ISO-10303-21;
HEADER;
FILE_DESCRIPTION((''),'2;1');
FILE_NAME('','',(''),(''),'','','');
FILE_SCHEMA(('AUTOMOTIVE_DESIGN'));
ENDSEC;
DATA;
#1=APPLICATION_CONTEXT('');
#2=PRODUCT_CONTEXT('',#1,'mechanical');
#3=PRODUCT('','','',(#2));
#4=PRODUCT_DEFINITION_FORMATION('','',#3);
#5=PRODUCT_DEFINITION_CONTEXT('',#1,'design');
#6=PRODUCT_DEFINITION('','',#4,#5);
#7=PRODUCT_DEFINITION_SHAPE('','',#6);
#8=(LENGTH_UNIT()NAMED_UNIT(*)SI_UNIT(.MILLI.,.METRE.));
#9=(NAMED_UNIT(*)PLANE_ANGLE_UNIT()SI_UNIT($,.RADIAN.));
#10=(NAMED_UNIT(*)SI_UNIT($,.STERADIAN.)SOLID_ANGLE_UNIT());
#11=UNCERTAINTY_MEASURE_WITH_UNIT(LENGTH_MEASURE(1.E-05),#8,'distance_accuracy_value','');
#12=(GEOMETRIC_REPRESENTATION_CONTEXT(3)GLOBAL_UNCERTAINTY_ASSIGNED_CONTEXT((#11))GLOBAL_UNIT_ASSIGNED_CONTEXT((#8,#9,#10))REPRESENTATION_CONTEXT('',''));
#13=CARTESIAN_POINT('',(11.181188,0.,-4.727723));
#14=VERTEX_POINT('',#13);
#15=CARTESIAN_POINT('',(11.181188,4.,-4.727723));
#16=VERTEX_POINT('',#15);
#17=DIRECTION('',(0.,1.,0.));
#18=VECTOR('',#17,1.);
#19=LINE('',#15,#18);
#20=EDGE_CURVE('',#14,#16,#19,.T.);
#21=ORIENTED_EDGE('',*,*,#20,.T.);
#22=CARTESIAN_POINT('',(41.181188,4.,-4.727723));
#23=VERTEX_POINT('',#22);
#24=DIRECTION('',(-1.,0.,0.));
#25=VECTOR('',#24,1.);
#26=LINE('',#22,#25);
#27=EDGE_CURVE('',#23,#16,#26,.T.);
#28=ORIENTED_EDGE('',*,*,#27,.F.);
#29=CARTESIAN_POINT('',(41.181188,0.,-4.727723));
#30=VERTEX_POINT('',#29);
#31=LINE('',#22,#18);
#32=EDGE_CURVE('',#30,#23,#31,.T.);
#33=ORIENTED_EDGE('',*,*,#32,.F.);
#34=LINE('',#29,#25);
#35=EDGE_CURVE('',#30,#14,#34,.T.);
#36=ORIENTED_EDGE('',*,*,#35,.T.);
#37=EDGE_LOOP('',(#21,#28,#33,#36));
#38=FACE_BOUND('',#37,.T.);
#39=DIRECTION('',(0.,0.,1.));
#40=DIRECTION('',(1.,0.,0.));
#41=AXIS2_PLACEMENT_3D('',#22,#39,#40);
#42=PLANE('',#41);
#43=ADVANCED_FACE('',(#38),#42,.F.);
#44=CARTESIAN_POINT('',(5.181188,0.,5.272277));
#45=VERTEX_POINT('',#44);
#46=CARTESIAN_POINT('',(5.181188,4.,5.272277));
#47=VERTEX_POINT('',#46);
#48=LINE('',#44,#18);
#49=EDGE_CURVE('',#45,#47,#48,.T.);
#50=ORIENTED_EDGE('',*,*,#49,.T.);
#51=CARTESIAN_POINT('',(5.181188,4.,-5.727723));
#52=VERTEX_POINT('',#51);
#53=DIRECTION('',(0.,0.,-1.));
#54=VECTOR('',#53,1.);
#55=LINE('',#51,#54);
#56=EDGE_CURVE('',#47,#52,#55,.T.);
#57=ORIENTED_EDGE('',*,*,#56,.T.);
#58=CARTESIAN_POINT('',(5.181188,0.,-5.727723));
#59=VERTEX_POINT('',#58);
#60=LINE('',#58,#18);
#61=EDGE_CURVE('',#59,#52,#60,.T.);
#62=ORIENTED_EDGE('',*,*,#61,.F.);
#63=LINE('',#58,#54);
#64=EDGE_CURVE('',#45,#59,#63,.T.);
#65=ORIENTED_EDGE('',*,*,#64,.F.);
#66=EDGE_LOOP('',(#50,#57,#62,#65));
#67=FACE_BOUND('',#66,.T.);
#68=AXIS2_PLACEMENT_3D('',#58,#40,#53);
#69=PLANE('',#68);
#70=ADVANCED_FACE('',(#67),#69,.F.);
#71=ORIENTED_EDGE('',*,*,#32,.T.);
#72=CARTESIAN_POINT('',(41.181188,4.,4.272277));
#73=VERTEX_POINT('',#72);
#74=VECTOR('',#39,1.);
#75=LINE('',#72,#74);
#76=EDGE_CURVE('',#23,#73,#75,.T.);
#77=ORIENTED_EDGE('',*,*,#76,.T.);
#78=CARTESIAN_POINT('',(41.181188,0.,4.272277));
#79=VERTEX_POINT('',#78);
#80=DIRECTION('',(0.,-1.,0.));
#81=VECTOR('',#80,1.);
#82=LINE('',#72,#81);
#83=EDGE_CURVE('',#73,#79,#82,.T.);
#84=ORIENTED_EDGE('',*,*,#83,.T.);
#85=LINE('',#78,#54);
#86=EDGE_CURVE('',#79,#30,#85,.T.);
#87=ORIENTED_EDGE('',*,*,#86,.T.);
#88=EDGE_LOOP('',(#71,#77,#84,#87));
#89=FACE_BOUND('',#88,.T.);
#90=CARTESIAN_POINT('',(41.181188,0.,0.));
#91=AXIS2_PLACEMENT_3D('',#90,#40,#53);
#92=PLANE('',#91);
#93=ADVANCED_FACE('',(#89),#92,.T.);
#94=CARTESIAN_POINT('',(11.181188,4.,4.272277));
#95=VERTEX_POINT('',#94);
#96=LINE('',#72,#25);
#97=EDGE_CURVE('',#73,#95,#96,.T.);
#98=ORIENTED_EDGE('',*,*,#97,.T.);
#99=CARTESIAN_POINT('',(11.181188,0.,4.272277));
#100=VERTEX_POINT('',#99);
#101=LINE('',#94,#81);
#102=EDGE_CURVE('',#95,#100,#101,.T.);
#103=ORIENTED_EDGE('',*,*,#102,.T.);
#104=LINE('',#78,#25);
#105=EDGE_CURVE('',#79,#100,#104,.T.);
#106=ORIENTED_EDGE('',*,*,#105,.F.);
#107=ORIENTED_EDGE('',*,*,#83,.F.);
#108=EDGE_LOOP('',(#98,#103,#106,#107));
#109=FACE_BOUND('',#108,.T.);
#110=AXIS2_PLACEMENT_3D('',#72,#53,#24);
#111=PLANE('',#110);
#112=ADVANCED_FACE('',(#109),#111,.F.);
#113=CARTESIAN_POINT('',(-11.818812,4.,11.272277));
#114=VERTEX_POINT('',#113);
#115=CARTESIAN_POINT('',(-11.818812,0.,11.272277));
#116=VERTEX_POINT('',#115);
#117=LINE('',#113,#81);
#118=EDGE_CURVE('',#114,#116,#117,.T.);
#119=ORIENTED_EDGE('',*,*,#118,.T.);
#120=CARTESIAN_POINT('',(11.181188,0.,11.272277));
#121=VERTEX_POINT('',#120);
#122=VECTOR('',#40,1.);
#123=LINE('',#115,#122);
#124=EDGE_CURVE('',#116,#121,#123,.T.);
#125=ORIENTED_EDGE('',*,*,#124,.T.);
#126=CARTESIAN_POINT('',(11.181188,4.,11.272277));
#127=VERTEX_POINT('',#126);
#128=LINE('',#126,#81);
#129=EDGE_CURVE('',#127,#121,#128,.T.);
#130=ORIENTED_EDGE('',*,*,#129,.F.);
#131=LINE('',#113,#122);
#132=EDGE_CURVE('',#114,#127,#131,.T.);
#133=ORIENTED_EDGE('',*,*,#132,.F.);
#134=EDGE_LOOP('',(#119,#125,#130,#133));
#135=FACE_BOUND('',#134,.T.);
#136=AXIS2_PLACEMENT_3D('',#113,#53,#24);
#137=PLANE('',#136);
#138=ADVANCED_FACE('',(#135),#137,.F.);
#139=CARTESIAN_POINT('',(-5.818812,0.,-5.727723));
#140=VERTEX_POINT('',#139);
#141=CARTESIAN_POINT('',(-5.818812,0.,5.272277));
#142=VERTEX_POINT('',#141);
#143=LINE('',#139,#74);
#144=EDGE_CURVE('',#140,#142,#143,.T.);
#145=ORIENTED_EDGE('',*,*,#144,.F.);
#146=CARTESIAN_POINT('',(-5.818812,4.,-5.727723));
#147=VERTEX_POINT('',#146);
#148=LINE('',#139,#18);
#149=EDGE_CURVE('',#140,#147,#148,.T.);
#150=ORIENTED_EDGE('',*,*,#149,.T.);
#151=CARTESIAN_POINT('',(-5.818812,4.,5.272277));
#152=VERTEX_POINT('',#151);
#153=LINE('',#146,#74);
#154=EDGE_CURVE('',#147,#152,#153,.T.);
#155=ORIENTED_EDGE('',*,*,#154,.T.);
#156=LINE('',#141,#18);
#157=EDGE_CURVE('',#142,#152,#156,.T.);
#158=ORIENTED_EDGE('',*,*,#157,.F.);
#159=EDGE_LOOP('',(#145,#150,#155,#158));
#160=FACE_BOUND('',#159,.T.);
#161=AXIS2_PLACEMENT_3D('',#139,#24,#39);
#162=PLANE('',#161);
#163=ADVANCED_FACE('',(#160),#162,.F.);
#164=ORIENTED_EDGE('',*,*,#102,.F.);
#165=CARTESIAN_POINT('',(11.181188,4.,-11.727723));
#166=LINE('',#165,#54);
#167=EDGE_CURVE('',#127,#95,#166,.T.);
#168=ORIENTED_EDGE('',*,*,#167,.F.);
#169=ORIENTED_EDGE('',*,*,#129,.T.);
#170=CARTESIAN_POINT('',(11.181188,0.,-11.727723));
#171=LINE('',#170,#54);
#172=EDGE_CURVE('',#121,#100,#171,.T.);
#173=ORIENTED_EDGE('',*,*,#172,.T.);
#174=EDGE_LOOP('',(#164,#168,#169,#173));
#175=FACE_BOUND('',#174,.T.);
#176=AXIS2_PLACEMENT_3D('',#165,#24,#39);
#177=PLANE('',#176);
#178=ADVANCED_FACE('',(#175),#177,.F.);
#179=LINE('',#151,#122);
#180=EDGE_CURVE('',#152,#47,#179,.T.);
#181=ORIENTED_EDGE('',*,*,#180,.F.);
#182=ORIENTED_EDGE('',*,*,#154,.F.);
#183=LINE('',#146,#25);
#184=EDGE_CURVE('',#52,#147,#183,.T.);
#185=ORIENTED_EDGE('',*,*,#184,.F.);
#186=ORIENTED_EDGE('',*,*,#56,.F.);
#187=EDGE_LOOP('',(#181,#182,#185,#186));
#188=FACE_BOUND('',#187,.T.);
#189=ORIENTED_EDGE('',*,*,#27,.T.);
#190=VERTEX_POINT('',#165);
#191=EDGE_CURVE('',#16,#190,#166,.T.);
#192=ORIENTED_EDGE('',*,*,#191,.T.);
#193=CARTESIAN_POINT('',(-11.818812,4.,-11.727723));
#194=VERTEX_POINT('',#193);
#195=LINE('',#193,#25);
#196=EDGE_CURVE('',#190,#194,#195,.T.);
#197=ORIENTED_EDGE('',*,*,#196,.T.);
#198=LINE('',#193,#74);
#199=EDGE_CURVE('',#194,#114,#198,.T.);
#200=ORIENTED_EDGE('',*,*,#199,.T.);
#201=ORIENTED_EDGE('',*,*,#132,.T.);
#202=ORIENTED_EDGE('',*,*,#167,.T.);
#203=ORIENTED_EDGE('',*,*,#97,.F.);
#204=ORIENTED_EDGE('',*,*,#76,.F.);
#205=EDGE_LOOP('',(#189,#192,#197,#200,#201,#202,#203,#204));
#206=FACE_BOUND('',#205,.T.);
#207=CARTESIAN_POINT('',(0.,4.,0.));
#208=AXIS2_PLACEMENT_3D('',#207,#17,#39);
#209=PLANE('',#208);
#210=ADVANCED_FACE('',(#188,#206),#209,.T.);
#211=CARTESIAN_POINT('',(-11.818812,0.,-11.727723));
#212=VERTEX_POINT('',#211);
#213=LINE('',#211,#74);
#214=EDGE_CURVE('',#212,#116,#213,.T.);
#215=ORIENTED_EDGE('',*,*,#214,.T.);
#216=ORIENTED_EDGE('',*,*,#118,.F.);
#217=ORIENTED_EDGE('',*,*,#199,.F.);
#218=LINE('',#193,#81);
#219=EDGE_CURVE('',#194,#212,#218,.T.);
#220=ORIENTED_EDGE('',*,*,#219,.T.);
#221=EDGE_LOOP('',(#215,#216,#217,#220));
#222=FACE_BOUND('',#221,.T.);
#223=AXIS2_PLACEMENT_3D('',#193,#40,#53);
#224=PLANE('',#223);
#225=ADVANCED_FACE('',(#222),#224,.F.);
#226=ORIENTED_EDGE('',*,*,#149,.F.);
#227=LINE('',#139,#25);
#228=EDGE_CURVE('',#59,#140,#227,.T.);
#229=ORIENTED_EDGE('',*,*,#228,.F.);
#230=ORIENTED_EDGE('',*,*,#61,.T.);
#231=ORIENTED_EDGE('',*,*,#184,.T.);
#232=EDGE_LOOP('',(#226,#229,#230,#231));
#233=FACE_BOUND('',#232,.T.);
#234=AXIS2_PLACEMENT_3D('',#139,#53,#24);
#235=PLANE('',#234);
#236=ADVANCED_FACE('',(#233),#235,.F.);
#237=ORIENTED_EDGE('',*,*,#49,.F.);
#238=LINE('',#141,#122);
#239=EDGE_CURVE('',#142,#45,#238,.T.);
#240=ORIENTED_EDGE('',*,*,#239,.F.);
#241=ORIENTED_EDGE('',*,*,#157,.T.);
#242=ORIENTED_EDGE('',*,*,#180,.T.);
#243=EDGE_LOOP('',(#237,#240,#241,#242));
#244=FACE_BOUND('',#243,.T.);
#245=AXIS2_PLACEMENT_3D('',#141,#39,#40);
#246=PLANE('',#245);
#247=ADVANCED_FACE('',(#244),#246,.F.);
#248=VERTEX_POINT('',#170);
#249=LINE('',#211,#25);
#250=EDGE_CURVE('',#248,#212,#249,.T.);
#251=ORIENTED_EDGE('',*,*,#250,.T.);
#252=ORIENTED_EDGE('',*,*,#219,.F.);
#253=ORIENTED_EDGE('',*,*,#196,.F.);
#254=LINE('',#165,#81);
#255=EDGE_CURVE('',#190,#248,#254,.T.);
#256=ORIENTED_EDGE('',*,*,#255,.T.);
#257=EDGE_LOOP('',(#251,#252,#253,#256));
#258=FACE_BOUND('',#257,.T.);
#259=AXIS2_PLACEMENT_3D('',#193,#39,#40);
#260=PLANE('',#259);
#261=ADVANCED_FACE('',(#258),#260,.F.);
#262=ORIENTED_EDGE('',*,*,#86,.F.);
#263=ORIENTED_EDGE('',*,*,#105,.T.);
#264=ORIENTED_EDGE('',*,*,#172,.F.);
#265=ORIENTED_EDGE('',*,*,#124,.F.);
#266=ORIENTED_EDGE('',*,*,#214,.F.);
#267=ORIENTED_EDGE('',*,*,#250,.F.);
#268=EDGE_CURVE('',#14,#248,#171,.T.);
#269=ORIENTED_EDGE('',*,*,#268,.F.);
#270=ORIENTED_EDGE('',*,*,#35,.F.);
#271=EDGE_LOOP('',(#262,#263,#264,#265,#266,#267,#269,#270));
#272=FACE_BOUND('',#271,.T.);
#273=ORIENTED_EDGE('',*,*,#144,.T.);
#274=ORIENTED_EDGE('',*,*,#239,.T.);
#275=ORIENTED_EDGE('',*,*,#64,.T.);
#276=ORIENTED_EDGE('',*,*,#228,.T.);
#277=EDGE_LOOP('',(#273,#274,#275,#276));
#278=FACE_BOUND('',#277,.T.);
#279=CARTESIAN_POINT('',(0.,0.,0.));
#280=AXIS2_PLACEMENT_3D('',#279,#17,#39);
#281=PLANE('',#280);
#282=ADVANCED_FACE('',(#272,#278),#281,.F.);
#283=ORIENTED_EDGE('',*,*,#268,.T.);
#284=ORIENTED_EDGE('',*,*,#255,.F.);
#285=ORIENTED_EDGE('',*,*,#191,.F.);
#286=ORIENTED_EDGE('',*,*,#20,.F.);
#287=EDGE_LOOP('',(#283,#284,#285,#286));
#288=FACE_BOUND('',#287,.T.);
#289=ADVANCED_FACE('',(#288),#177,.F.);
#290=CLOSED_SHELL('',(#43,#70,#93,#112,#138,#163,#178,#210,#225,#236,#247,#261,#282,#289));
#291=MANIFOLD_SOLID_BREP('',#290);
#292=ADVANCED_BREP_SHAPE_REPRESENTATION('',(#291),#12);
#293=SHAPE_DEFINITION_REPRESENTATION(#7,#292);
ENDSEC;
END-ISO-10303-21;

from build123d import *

# Parameters (mm, degrees)
SKETCH1_W           = 23
SKETCH1_H           = 23
BOSS_EXTRUDE1_DEPTH = 4
SKETCH2_W           = 11
SKETCH2_H           = 11
CUT_EXTRUDE1_DEPTH  = 4
SKETCH3_W           = 9
SKETCH3_H           = 4
BOSS_EXTRUDE2_DEPTH = 30


with BuildPart() as part:
    # Sketch1 → Boss-Extrude1 (new body)
    with BuildSketch(Plane(origin=(0, 0, 0), x_dir=(1, 0, 0), z_dir=(0, 1, 0))):
        with Locations((-0.318811881, 0.227722772)):
            Rectangle(SKETCH1_W, SKETCH1_H)
    extrude(amount=BOSS_EXTRUDE1_DEPTH)

    # Sketch2 → Cut-Extrude1 (cut)
    with BuildSketch(Plane(origin=(0, 4, 0), x_dir=(1, 0, 0), z_dir=(0, 1, 0))):
        with Locations((-0.318811881, 0.227722772)):
            Rectangle(SKETCH2_W, SKETCH2_H)
    extrude(amount=-CUT_EXTRUDE1_DEPTH, mode=Mode.SUBTRACT)

    # Sketch3 → Boss-Extrude2 (add)
    with BuildSketch(Plane(origin=(11.181188119, 0, 0), x_dir=(0, 0, -1), z_dir=(1, 0, 0))):
        with Locations((0.227722772, 2)):
            Rectangle(SKETCH3_W, SKETCH3_H)
    extrude(amount=BOSS_EXTRUDE2_DEPTH)


solid = part.part
